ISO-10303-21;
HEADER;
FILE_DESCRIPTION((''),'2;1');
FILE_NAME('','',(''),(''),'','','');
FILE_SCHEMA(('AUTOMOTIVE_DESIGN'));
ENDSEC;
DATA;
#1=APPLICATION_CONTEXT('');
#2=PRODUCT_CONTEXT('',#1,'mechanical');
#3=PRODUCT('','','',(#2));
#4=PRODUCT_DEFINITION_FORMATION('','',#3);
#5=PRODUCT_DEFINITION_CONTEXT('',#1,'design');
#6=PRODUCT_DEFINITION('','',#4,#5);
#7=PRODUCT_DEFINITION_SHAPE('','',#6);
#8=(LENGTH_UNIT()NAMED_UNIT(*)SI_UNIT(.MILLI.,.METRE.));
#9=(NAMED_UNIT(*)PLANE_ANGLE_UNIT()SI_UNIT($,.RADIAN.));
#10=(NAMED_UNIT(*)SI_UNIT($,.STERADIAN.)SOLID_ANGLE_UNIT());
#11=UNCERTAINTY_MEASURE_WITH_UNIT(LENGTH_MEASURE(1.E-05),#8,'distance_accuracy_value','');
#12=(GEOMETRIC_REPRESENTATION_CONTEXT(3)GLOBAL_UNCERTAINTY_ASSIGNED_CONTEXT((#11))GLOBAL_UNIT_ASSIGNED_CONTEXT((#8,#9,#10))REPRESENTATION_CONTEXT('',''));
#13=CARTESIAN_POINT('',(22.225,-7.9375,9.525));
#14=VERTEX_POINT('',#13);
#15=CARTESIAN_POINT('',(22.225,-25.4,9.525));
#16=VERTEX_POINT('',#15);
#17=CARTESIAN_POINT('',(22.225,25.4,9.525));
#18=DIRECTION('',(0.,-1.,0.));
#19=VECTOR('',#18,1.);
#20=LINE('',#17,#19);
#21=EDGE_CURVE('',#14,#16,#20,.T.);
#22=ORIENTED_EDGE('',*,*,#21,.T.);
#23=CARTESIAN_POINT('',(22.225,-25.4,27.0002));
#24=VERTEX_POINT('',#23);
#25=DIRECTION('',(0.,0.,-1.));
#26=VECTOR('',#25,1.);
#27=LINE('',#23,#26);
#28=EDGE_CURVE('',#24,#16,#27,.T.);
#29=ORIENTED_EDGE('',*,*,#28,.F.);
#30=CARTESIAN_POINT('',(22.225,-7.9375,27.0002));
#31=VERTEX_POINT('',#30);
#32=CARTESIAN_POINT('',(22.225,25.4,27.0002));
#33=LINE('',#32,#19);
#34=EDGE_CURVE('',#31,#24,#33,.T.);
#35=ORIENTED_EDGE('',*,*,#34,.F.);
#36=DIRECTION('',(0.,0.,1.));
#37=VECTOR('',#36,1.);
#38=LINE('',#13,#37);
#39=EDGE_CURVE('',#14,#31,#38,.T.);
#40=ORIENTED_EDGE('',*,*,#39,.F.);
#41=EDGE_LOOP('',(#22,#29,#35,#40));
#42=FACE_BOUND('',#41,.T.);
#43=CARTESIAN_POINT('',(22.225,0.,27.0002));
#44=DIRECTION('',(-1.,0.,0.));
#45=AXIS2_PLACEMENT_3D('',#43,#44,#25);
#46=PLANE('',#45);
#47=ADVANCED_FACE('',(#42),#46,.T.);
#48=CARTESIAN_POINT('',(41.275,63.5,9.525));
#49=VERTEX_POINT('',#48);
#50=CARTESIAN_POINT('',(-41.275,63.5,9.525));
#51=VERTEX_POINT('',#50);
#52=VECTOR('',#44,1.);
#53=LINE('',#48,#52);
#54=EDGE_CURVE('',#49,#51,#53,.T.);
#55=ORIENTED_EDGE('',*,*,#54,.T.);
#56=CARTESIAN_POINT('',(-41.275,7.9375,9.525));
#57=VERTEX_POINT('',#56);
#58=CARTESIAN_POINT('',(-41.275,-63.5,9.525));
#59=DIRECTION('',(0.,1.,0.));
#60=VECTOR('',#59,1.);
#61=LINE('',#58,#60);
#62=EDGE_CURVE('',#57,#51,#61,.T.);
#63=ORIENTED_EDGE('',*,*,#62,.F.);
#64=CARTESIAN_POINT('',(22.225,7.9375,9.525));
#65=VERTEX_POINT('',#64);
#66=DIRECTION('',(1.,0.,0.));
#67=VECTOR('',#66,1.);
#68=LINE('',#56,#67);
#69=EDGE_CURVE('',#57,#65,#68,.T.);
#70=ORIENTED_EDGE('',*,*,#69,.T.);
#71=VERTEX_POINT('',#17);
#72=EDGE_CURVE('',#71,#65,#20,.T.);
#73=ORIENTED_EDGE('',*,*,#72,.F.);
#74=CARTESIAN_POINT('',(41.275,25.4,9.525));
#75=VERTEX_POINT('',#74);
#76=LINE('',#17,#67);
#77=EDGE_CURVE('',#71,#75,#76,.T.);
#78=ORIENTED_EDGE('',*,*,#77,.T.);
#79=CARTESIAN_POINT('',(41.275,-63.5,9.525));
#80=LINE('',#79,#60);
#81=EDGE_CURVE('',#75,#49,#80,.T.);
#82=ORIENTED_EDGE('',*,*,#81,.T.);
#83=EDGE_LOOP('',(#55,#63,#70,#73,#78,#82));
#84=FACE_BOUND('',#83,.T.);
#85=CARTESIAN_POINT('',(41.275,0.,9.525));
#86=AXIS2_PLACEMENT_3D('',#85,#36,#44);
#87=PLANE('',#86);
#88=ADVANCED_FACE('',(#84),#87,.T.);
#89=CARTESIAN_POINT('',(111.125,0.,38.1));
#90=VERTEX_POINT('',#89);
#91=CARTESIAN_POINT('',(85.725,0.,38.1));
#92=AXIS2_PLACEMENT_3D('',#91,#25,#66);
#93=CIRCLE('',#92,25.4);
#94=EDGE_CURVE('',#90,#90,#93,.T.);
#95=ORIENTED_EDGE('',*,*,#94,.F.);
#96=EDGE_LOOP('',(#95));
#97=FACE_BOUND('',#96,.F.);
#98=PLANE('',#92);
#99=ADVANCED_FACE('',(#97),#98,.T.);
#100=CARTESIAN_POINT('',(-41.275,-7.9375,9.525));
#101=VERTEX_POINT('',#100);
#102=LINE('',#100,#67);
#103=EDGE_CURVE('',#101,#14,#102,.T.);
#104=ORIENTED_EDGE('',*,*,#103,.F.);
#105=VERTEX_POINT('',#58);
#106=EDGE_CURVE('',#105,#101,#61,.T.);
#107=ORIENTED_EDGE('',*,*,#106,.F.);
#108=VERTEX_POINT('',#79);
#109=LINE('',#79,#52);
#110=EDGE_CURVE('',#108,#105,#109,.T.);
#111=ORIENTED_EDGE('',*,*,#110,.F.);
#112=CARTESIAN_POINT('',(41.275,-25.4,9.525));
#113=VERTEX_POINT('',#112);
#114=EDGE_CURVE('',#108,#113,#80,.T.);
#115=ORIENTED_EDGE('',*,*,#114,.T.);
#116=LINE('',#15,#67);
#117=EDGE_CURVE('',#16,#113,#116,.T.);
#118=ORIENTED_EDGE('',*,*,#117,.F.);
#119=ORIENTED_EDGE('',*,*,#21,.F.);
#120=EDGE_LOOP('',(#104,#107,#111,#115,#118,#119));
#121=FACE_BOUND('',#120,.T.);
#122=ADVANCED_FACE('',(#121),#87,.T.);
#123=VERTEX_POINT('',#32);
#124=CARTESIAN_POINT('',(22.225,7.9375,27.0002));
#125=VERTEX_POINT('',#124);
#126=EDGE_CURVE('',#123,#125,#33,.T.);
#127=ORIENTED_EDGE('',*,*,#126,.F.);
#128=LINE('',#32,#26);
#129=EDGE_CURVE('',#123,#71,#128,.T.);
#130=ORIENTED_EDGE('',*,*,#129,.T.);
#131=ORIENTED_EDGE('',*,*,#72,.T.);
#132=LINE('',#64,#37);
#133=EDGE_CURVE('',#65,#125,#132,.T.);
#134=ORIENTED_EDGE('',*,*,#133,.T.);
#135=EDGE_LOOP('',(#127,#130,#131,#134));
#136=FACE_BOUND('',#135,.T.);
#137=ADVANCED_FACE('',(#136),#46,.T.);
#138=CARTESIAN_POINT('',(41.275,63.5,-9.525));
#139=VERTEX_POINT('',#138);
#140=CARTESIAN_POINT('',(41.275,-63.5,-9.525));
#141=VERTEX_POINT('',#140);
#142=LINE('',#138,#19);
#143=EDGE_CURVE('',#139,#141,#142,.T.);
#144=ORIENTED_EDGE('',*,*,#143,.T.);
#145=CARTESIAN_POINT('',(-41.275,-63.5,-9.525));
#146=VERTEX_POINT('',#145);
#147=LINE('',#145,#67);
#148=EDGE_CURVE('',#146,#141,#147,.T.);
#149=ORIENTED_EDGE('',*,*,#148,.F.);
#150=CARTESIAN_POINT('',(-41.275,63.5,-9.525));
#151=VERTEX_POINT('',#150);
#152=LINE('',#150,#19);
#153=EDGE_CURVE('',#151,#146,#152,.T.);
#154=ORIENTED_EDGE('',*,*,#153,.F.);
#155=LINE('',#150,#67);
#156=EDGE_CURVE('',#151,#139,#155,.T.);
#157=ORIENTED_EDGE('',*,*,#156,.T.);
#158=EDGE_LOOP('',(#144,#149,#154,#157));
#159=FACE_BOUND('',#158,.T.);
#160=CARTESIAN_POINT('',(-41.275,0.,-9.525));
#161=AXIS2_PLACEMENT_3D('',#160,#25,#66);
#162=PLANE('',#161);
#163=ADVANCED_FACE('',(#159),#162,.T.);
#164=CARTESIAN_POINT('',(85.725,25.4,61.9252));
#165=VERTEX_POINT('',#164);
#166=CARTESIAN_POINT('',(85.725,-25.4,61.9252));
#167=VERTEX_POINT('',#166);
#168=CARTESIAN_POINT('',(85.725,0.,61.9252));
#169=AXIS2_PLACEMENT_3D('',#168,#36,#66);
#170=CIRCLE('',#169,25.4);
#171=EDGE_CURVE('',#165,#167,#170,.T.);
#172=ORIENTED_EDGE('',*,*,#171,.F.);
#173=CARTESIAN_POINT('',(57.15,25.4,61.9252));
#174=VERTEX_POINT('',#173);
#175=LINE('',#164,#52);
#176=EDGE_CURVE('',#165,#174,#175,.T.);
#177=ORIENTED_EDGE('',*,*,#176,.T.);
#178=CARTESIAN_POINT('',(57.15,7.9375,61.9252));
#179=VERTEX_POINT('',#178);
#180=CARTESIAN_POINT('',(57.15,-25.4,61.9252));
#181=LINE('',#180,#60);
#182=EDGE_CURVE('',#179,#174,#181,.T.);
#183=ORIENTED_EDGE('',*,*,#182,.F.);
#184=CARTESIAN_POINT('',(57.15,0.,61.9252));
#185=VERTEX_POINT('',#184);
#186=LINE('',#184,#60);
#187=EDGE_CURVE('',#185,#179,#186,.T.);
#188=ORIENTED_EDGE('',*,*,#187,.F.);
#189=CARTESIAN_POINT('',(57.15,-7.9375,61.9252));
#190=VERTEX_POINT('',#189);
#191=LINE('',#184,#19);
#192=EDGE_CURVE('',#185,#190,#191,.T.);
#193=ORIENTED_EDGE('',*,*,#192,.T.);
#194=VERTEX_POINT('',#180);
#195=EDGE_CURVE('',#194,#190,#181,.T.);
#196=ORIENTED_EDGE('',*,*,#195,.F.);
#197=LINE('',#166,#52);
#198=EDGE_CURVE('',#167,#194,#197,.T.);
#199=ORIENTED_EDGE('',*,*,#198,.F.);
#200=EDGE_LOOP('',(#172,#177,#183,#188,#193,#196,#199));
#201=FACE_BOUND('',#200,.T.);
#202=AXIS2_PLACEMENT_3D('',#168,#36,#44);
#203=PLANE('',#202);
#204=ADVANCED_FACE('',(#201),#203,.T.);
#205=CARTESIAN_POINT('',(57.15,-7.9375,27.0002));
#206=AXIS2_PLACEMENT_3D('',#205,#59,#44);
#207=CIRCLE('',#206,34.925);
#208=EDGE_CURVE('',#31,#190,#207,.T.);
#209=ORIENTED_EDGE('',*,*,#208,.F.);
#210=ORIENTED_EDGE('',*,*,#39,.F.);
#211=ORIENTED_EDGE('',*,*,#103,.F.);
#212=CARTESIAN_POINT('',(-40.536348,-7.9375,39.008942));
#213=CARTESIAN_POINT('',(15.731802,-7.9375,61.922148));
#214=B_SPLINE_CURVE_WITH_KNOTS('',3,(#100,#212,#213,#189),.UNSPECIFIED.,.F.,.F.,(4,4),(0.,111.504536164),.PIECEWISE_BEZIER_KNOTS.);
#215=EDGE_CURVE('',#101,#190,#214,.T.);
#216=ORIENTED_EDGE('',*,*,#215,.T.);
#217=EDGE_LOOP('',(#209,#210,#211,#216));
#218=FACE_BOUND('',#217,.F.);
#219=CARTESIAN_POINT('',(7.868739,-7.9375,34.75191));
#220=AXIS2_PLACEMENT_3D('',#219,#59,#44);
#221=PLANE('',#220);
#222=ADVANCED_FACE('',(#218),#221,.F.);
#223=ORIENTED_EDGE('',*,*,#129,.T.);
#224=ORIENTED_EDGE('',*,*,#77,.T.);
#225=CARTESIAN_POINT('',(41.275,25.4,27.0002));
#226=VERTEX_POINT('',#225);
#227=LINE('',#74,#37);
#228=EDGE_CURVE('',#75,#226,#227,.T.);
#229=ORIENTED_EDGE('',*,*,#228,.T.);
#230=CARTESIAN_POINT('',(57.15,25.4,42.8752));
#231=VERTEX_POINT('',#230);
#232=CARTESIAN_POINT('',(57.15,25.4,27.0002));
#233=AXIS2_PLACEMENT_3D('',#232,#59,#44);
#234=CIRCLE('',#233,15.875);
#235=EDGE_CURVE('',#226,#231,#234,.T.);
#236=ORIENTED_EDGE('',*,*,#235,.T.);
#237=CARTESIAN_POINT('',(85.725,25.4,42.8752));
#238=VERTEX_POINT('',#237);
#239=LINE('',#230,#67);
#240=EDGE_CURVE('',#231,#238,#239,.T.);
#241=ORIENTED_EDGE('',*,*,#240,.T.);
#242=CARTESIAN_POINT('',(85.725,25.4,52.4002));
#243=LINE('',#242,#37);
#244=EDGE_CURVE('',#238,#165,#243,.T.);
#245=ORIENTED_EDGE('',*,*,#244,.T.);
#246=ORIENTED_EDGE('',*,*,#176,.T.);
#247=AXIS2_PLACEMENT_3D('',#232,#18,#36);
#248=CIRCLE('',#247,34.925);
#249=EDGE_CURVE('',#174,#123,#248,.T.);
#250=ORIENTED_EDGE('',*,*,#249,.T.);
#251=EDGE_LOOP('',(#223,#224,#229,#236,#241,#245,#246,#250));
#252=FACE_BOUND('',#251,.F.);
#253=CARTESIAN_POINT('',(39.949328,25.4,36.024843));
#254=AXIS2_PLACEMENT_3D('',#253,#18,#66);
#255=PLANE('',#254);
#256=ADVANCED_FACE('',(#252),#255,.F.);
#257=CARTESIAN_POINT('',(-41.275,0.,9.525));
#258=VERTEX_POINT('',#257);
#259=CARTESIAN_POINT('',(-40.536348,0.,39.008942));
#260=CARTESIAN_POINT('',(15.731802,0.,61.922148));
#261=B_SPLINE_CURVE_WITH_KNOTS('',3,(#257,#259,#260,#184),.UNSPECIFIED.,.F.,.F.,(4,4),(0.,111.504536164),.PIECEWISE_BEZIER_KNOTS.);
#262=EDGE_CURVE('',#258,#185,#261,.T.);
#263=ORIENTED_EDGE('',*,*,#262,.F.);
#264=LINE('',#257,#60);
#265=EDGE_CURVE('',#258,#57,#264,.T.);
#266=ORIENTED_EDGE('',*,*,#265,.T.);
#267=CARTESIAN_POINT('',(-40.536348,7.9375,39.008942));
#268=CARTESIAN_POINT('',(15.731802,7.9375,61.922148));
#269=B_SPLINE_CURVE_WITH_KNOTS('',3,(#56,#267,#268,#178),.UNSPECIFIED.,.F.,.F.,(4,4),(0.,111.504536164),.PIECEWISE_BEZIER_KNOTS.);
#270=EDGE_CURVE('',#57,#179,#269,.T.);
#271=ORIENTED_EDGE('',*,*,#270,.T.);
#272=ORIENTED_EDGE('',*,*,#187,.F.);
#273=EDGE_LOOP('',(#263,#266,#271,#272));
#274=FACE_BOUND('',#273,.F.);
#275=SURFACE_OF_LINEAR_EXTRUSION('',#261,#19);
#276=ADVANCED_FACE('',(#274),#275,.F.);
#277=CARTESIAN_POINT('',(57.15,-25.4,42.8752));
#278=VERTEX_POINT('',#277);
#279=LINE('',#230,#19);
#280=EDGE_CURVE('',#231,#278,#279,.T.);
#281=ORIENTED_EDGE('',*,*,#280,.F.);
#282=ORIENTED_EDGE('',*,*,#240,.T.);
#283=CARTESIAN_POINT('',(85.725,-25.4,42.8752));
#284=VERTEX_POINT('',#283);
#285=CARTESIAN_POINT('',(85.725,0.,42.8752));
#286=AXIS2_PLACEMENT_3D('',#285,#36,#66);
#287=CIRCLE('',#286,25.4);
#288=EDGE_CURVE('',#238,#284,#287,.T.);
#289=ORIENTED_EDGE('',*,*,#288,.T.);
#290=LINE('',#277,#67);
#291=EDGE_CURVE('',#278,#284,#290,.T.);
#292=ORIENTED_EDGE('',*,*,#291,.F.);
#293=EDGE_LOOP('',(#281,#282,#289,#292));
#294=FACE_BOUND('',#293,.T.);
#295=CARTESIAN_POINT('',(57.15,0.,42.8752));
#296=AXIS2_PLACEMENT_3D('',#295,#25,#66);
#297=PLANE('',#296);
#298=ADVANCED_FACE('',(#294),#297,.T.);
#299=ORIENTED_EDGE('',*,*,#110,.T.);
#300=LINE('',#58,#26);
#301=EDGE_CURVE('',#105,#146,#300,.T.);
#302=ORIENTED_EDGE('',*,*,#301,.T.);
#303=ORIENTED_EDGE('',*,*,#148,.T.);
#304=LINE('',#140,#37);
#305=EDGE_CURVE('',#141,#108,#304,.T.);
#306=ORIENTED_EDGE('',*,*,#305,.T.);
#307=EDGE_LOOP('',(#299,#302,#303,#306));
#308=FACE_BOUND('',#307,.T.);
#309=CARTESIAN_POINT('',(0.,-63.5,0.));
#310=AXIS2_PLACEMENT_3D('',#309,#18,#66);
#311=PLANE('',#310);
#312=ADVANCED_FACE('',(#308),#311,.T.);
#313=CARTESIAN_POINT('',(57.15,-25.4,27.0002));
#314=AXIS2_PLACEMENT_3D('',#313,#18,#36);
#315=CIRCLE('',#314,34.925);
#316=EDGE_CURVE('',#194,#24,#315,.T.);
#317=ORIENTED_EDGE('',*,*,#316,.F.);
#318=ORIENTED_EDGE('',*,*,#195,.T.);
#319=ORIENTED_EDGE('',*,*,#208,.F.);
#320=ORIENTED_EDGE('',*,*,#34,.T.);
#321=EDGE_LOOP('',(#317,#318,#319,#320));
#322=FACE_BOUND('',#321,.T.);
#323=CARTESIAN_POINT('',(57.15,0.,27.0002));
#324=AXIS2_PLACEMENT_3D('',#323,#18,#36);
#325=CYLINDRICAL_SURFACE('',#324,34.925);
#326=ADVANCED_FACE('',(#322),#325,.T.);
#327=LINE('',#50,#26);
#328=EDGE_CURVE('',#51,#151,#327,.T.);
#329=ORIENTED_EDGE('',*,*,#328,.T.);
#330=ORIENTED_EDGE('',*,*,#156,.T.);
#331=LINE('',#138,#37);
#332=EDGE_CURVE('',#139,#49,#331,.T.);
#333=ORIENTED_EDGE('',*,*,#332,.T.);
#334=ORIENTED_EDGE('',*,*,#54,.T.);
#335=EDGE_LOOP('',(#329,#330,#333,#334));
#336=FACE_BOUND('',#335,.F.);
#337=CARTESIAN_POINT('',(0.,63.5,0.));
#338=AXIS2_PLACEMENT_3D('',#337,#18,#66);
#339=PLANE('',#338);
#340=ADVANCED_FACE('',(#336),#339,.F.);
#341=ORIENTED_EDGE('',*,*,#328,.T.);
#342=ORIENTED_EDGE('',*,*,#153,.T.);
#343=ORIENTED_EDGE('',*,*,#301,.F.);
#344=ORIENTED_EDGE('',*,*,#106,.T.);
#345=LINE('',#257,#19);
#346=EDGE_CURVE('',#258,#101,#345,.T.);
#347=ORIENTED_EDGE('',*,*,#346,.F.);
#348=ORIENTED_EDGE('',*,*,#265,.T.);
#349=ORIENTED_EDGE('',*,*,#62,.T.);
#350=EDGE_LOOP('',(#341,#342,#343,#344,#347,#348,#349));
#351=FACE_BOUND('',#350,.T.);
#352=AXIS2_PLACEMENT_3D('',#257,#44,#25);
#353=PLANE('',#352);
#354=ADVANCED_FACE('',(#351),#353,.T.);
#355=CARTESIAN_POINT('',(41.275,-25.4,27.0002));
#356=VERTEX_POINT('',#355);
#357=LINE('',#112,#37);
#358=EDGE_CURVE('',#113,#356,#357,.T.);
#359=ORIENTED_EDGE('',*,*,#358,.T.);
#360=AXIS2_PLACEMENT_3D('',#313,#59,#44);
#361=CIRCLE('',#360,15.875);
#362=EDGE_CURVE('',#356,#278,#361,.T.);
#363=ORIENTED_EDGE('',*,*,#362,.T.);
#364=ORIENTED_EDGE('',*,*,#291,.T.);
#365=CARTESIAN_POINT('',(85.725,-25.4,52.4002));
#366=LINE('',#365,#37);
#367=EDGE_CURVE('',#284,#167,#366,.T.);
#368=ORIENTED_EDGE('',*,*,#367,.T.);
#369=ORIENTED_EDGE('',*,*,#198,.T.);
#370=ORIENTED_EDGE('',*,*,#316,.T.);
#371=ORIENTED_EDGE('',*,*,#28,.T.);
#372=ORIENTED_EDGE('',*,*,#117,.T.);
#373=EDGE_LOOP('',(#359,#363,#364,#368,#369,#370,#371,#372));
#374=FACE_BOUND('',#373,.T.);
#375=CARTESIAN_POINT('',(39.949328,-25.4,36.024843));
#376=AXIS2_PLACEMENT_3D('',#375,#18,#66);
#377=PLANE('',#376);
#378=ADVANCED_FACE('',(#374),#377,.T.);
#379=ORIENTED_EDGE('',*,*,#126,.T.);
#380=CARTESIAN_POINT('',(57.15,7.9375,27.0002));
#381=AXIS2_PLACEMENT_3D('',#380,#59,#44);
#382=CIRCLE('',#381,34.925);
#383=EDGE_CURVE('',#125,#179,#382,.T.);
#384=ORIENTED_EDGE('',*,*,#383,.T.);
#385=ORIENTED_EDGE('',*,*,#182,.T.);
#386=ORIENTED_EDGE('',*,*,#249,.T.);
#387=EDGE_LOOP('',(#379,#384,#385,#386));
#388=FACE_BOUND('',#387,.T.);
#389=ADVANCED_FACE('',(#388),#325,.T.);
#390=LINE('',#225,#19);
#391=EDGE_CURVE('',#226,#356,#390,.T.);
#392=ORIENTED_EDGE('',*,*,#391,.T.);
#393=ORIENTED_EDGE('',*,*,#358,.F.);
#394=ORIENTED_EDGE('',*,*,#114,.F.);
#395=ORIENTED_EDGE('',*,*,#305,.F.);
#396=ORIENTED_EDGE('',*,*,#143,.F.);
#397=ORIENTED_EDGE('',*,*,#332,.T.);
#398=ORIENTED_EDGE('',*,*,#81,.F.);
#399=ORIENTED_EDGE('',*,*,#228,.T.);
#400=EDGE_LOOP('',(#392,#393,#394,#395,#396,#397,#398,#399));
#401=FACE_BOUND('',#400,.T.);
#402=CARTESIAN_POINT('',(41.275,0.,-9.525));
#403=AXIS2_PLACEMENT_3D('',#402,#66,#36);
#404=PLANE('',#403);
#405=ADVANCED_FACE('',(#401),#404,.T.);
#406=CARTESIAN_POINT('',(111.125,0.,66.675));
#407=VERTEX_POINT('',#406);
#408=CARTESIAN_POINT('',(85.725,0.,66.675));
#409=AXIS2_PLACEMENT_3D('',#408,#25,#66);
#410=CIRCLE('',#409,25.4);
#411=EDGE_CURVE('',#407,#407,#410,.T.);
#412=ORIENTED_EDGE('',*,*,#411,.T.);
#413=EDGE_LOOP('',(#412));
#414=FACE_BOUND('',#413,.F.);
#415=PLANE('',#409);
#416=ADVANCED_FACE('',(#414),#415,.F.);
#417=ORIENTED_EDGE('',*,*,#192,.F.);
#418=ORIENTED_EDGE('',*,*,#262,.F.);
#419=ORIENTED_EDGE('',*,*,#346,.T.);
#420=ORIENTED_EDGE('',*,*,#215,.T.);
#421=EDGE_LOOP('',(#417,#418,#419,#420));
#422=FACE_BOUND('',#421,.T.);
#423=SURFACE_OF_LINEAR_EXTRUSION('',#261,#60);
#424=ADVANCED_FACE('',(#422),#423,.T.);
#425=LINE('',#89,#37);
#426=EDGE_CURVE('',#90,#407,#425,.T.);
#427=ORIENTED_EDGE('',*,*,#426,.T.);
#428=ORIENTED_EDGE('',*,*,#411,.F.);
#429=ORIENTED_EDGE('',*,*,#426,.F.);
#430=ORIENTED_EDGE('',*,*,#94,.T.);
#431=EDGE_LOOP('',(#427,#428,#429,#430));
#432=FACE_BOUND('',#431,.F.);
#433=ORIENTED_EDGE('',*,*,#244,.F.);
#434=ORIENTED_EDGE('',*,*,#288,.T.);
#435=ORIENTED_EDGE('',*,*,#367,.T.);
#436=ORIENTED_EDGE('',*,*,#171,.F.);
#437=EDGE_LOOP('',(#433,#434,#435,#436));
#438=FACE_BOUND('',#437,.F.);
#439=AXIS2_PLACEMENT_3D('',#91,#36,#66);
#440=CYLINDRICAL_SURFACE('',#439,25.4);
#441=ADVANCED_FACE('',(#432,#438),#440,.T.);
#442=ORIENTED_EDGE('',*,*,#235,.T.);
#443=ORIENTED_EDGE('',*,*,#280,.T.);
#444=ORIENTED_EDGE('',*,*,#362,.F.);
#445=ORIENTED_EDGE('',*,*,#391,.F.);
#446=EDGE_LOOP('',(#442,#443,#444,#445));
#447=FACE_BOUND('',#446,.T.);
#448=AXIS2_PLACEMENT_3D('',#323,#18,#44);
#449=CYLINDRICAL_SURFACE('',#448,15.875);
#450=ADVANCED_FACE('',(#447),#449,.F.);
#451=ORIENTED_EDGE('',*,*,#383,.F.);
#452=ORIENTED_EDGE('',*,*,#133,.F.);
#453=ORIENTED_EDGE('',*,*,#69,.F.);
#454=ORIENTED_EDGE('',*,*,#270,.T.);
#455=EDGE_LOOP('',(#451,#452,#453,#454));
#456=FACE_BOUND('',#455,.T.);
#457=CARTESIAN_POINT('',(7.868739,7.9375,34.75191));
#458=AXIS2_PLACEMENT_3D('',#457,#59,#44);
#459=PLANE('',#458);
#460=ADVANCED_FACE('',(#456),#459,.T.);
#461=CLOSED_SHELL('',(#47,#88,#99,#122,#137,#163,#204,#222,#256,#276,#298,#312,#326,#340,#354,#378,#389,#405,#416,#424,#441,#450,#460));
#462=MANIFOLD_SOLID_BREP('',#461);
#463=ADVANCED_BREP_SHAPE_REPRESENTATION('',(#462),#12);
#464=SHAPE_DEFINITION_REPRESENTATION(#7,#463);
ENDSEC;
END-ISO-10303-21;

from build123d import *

# Parameters (mm, degrees)
F1_DEPTH = 63.5
F0_W     = 25.4
F0_H     = 19.05
F2_DEPTH = 25.4
F3_DEPTH = 7.9375


with BuildPart() as f1:
    # F0 (on Front) → F1 (new body, symmetric)
    with BuildSketch(Plane.XZ):
        Polygon((-41.275, 9.525), (-41.275, -9.525), (41.275, -9.525), (41.275, 9.525), (22.225, 9.525), align=None)
    extrude(amount=F1_DEPTH, both=True)

    # F0 (on Front) → F2 (join, symmetric)
    with BuildSketch(Plane.XZ):
        with BuildLine():
            Line((60.325, 61.9252), (57.15, 61.9252))
            ThreePointArc((57.15, 61.9252), (32.4542956671, 51.6959043329), (22.225, 27.0002))
            Line((22.225, 27.0002), (22.225, 9.525))
            Line((22.225, 9.525), (41.275, 9.525))
            Line((41.275, 9.525), (41.275, 27.0002))
            ThreePointArc((41.275, 27.0002), (45.9246798487, 38.2255201513), (57.15, 42.8752))
            Line((57.15, 42.8752), (60.325, 42.8752))
            Line((60.325, 42.8752), (60.325, 61.9252))
        make_face()
        with Locations((73.025, 52.4002)):
            Rectangle(F0_W, F0_H)
    extrude(amount=F2_DEPTH, both=True)

    # F0 (on Front) → F3 (join, symmetric)
    with BuildSketch(Plane.XZ):
        with BuildLine():
            add(Edge.make_bspline(
                [(-41.275, 9.525), (-40.5363477767, 39.0089415014), (15.7318022102, 61.9221478701), (57.15, 61.9252)],
                knots=[0, 0, 0, 0, 111.5045361635, 111.5045361635, 111.5045361635, 111.5045361635], degree=3))
            Line((-41.275, 9.525), (22.225, 9.525))
            Line((22.225, 9.525), (22.225, 27.0002))
            ThreePointArc((22.225, 27.0002), (32.4542956671, 51.6959043329), (57.15, 61.9252))
        make_face()
    extrude(amount=F3_DEPTH, both=True)

    # F0 (on Front) → F4 (revolve)
    with BuildSketch(Plane.XZ):
        Polygon((85.725, 66.675), (85.725, 61.9252), (85.725, 42.8752), (85.725, 38.1), (111.125, 38.1), (111.125, 66.675), align=None)
    revolve(axis=Axis((85.725, 0, 52.3875), (0, 0, -1)))


solid = f1.part
